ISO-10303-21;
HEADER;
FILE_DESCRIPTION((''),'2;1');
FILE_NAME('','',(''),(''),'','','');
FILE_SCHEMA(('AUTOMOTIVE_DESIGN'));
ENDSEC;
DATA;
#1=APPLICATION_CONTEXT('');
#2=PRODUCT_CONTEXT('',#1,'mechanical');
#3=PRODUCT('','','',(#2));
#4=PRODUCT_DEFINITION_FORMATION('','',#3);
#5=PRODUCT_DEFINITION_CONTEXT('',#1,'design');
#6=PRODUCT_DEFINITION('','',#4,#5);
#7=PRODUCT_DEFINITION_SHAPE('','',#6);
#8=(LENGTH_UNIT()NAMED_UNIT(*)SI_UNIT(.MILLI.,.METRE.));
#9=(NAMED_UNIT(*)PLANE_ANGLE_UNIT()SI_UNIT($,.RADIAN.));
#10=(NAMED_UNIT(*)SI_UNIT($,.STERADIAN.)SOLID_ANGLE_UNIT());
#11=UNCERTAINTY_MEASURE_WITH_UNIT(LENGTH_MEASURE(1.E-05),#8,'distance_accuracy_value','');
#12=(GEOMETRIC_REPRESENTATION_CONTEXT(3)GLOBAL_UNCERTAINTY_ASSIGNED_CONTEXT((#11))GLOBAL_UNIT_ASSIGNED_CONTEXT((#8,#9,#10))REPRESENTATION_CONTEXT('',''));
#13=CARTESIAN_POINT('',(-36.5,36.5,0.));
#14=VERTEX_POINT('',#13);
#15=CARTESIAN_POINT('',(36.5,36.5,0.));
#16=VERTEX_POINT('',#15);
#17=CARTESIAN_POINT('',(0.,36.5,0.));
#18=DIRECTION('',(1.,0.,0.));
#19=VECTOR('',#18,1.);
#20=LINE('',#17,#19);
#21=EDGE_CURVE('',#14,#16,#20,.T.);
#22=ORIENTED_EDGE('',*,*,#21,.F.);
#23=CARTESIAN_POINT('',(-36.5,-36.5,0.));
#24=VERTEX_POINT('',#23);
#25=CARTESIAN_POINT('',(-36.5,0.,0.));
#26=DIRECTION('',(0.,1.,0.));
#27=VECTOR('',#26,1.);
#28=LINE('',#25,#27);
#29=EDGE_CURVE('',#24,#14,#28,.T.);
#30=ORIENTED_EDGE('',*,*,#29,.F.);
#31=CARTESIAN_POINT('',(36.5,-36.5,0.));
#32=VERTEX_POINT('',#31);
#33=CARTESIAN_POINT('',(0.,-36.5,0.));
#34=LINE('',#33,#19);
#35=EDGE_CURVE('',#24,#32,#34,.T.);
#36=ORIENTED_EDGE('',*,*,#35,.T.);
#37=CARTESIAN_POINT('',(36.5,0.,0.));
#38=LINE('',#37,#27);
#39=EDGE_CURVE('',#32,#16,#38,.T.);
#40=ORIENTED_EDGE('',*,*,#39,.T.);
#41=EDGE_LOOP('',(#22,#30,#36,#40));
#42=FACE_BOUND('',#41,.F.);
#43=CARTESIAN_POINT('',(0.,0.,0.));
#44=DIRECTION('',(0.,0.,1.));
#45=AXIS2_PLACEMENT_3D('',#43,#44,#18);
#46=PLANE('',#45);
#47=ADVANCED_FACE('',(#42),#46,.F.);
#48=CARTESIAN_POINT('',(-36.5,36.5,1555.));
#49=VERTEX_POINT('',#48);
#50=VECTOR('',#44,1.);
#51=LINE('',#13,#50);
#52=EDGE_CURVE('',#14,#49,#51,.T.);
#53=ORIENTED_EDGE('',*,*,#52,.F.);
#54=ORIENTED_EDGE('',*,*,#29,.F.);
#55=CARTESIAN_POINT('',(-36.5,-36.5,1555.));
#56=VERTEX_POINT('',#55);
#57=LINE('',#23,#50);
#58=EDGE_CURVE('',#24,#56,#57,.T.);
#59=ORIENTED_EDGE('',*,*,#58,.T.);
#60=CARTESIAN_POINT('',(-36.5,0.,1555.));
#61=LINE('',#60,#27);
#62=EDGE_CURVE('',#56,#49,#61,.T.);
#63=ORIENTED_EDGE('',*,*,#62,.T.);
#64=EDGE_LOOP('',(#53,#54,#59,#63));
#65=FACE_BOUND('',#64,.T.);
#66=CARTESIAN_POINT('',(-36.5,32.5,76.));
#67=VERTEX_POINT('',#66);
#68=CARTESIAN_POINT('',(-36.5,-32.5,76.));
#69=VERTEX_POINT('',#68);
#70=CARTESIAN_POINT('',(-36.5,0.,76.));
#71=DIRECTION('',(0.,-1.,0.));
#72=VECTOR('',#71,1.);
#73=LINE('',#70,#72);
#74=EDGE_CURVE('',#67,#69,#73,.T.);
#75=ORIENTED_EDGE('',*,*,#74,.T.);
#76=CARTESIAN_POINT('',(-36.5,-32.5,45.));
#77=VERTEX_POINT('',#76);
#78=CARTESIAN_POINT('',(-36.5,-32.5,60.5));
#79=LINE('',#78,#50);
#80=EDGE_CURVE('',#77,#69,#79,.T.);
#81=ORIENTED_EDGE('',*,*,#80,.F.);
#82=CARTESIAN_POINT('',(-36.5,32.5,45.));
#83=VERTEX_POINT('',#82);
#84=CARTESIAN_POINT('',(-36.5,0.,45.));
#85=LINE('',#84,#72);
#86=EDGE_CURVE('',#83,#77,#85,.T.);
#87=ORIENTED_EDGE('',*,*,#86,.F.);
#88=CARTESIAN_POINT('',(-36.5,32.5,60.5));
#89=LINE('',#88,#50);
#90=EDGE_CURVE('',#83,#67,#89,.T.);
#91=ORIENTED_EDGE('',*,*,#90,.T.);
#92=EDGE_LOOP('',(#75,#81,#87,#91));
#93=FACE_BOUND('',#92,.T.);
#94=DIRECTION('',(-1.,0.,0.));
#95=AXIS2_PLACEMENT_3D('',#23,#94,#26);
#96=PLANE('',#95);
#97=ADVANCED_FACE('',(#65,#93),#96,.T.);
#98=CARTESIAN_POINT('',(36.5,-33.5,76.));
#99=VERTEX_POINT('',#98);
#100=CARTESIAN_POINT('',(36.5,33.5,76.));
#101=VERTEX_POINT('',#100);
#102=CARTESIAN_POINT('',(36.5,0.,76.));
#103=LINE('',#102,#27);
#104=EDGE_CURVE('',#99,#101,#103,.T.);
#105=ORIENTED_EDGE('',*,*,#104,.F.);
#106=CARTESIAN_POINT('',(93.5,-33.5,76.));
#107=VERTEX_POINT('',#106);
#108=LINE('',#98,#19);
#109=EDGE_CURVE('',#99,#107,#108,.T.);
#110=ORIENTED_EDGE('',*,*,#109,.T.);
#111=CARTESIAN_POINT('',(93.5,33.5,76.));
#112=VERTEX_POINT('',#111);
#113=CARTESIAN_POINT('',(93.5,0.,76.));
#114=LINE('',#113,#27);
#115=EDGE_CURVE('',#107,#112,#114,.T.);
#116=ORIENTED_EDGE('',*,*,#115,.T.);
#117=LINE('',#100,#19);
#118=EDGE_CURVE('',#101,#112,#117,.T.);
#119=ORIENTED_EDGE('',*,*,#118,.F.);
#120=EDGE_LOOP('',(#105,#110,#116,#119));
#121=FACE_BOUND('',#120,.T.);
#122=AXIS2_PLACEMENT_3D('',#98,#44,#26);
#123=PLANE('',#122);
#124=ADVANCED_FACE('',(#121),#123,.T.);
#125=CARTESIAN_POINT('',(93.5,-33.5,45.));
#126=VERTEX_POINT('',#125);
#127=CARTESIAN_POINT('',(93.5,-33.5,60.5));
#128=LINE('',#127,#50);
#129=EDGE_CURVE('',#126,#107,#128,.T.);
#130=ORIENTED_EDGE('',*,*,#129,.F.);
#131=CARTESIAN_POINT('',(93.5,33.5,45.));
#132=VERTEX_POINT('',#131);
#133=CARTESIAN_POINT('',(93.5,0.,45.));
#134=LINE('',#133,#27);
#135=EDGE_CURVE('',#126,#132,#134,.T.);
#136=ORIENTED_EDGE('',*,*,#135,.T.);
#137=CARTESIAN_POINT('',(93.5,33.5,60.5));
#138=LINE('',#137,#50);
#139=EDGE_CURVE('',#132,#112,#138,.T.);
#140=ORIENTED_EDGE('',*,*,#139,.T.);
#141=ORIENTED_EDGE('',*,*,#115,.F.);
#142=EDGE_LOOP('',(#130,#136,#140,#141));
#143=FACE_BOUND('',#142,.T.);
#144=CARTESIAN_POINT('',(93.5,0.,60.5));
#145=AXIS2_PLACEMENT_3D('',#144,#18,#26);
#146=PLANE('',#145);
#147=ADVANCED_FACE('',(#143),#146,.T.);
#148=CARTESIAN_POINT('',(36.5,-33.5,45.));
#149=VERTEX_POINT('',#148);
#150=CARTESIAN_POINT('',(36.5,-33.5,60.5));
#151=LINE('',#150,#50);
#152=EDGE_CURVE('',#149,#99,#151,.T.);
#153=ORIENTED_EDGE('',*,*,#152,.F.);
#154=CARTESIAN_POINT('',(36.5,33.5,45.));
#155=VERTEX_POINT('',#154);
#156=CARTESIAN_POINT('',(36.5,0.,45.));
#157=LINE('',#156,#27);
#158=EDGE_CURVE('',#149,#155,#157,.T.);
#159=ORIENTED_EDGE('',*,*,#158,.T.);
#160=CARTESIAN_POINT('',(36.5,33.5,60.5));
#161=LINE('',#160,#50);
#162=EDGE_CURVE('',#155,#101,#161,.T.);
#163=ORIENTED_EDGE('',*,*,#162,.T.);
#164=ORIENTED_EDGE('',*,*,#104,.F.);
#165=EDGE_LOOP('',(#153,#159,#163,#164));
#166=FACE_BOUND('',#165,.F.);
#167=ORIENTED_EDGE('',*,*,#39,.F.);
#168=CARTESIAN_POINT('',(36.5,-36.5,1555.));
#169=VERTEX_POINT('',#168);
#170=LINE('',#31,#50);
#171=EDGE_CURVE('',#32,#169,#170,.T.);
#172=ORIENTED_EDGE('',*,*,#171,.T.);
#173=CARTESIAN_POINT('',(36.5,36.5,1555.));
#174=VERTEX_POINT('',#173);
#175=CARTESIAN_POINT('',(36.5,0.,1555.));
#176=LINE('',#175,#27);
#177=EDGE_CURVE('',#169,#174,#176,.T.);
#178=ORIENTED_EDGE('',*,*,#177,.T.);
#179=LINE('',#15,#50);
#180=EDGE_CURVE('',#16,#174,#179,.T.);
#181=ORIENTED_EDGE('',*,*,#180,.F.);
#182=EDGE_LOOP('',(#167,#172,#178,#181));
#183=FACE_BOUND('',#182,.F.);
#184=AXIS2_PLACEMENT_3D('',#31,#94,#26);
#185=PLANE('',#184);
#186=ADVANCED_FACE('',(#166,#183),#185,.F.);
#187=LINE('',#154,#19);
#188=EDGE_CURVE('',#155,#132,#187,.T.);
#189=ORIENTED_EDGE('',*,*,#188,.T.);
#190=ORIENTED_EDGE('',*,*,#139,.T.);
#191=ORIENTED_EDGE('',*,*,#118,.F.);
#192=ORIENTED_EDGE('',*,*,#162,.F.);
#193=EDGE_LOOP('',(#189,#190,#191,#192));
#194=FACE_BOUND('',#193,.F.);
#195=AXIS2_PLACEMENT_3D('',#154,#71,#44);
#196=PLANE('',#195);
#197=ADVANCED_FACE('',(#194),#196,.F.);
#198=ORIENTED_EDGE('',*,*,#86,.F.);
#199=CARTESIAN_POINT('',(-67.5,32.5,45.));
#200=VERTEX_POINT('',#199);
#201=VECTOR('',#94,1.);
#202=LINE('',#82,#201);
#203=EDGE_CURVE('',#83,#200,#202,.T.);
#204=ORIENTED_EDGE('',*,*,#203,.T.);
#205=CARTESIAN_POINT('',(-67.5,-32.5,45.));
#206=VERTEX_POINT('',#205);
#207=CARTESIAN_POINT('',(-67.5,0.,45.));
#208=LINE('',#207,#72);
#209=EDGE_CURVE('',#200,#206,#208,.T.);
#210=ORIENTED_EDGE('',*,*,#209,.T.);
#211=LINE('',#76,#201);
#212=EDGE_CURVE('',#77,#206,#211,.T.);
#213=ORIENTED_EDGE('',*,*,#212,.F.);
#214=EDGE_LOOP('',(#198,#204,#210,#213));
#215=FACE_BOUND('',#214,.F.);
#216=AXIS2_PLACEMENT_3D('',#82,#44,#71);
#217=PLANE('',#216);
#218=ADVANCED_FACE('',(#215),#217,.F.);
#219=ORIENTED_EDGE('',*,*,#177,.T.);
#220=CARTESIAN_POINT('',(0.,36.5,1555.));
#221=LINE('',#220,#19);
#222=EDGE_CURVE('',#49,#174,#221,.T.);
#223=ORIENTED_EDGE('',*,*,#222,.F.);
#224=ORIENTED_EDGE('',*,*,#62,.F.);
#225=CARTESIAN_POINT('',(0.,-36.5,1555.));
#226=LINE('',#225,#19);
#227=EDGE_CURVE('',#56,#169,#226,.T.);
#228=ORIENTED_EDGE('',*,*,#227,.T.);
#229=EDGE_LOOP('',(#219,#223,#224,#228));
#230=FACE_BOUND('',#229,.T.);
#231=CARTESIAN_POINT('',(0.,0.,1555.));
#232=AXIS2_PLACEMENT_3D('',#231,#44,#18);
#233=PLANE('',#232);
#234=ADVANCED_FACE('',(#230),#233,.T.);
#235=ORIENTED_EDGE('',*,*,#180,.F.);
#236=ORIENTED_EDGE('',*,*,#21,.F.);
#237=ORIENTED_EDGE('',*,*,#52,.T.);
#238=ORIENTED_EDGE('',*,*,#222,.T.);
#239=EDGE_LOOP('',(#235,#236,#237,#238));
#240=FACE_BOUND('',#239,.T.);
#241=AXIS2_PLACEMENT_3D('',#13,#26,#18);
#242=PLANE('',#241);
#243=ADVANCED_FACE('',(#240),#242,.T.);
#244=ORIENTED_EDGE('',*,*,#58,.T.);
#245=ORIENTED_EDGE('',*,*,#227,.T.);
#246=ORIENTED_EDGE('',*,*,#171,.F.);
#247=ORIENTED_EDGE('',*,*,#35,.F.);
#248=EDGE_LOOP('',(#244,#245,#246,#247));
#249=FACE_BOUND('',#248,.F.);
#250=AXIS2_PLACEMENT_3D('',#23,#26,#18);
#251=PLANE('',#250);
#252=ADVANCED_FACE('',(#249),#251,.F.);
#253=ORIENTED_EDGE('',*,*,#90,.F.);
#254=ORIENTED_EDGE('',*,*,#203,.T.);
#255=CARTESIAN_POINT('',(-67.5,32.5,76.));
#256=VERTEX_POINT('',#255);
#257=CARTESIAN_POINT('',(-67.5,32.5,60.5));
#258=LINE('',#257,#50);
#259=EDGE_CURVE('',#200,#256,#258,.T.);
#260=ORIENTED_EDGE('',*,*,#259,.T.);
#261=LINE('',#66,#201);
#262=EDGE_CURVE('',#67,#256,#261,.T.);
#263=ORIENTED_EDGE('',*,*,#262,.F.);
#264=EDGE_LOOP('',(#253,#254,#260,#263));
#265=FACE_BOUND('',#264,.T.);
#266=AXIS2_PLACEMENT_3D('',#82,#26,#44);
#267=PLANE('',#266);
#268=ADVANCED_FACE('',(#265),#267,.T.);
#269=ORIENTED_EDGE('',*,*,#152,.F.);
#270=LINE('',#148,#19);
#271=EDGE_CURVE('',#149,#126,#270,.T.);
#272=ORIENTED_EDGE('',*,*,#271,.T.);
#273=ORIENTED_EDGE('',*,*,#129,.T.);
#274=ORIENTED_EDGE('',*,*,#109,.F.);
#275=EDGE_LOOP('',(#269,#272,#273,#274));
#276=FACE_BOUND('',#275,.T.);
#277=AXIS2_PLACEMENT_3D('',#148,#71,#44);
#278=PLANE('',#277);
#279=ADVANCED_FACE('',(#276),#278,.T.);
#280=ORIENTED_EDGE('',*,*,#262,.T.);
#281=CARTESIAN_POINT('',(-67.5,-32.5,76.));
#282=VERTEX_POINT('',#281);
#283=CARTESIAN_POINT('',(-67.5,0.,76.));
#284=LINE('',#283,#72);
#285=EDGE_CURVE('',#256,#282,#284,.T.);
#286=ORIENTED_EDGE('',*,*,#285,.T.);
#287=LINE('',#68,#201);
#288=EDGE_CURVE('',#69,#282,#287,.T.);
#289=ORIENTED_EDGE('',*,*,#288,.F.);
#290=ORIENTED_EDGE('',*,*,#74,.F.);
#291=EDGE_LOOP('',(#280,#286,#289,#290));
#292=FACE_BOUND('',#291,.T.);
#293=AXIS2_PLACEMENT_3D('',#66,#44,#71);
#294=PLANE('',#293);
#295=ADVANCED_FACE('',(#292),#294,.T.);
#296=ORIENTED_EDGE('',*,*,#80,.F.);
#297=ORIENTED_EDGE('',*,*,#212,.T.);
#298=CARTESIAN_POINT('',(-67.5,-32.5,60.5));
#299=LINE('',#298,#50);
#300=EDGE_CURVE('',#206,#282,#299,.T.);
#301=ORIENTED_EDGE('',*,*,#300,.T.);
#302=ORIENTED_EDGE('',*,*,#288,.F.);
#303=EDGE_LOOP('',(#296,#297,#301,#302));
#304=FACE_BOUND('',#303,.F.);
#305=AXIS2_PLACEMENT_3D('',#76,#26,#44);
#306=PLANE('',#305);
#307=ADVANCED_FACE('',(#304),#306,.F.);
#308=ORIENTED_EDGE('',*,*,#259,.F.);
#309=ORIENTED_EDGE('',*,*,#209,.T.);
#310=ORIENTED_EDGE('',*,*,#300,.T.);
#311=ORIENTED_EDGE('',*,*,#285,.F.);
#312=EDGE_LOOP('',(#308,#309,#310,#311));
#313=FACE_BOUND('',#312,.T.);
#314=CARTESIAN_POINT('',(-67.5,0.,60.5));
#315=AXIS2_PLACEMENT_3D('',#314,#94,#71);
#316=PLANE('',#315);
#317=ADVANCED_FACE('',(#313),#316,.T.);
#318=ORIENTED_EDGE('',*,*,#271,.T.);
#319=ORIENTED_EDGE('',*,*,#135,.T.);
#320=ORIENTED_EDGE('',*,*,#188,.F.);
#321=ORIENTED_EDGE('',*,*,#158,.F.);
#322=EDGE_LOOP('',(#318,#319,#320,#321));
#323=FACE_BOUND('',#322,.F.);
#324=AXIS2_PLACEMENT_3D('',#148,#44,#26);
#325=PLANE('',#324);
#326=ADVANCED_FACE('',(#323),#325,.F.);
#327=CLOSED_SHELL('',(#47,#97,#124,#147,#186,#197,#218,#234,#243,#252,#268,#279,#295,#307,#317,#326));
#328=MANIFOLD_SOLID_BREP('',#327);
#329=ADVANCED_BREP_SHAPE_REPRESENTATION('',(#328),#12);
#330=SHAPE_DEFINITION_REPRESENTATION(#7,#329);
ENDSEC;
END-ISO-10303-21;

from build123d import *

# Parameters (mm, degrees)
F0_W     = 73
F0_H     = 73
F1_DEPTH = 1555
F2_W     = 65
F2_H     = 31
F3_DEPTH = 31
F4_W     = 67
F4_H     = 31
F5_DEPTH = 57


with BuildPart() as f1:
    # F0 (on Top) → F1 (new body)
    with BuildSketch(Plane.XY):
        Rectangle(F0_W, F0_H)
    extrude(amount=F1_DEPTH)

    # F2 (on face) → F3 (join)
    with BuildSketch(Plane(origin=(-36.5, 0, 0), x_dir=(0, -1, 0), z_dir=(-1, 0, 0))):
        with Locations((0, 60.5)):
            Rectangle(F2_W, F2_H)
    extrude(amount=F3_DEPTH)

    # F4 (on face) → F5 (join)
    with BuildSketch(Plane.YZ.offset(36.5)):
        with Locations((0, 60.5)):
            Rectangle(F4_W, F4_H)
    extrude(amount=F5_DEPTH)


solid = f1.part
